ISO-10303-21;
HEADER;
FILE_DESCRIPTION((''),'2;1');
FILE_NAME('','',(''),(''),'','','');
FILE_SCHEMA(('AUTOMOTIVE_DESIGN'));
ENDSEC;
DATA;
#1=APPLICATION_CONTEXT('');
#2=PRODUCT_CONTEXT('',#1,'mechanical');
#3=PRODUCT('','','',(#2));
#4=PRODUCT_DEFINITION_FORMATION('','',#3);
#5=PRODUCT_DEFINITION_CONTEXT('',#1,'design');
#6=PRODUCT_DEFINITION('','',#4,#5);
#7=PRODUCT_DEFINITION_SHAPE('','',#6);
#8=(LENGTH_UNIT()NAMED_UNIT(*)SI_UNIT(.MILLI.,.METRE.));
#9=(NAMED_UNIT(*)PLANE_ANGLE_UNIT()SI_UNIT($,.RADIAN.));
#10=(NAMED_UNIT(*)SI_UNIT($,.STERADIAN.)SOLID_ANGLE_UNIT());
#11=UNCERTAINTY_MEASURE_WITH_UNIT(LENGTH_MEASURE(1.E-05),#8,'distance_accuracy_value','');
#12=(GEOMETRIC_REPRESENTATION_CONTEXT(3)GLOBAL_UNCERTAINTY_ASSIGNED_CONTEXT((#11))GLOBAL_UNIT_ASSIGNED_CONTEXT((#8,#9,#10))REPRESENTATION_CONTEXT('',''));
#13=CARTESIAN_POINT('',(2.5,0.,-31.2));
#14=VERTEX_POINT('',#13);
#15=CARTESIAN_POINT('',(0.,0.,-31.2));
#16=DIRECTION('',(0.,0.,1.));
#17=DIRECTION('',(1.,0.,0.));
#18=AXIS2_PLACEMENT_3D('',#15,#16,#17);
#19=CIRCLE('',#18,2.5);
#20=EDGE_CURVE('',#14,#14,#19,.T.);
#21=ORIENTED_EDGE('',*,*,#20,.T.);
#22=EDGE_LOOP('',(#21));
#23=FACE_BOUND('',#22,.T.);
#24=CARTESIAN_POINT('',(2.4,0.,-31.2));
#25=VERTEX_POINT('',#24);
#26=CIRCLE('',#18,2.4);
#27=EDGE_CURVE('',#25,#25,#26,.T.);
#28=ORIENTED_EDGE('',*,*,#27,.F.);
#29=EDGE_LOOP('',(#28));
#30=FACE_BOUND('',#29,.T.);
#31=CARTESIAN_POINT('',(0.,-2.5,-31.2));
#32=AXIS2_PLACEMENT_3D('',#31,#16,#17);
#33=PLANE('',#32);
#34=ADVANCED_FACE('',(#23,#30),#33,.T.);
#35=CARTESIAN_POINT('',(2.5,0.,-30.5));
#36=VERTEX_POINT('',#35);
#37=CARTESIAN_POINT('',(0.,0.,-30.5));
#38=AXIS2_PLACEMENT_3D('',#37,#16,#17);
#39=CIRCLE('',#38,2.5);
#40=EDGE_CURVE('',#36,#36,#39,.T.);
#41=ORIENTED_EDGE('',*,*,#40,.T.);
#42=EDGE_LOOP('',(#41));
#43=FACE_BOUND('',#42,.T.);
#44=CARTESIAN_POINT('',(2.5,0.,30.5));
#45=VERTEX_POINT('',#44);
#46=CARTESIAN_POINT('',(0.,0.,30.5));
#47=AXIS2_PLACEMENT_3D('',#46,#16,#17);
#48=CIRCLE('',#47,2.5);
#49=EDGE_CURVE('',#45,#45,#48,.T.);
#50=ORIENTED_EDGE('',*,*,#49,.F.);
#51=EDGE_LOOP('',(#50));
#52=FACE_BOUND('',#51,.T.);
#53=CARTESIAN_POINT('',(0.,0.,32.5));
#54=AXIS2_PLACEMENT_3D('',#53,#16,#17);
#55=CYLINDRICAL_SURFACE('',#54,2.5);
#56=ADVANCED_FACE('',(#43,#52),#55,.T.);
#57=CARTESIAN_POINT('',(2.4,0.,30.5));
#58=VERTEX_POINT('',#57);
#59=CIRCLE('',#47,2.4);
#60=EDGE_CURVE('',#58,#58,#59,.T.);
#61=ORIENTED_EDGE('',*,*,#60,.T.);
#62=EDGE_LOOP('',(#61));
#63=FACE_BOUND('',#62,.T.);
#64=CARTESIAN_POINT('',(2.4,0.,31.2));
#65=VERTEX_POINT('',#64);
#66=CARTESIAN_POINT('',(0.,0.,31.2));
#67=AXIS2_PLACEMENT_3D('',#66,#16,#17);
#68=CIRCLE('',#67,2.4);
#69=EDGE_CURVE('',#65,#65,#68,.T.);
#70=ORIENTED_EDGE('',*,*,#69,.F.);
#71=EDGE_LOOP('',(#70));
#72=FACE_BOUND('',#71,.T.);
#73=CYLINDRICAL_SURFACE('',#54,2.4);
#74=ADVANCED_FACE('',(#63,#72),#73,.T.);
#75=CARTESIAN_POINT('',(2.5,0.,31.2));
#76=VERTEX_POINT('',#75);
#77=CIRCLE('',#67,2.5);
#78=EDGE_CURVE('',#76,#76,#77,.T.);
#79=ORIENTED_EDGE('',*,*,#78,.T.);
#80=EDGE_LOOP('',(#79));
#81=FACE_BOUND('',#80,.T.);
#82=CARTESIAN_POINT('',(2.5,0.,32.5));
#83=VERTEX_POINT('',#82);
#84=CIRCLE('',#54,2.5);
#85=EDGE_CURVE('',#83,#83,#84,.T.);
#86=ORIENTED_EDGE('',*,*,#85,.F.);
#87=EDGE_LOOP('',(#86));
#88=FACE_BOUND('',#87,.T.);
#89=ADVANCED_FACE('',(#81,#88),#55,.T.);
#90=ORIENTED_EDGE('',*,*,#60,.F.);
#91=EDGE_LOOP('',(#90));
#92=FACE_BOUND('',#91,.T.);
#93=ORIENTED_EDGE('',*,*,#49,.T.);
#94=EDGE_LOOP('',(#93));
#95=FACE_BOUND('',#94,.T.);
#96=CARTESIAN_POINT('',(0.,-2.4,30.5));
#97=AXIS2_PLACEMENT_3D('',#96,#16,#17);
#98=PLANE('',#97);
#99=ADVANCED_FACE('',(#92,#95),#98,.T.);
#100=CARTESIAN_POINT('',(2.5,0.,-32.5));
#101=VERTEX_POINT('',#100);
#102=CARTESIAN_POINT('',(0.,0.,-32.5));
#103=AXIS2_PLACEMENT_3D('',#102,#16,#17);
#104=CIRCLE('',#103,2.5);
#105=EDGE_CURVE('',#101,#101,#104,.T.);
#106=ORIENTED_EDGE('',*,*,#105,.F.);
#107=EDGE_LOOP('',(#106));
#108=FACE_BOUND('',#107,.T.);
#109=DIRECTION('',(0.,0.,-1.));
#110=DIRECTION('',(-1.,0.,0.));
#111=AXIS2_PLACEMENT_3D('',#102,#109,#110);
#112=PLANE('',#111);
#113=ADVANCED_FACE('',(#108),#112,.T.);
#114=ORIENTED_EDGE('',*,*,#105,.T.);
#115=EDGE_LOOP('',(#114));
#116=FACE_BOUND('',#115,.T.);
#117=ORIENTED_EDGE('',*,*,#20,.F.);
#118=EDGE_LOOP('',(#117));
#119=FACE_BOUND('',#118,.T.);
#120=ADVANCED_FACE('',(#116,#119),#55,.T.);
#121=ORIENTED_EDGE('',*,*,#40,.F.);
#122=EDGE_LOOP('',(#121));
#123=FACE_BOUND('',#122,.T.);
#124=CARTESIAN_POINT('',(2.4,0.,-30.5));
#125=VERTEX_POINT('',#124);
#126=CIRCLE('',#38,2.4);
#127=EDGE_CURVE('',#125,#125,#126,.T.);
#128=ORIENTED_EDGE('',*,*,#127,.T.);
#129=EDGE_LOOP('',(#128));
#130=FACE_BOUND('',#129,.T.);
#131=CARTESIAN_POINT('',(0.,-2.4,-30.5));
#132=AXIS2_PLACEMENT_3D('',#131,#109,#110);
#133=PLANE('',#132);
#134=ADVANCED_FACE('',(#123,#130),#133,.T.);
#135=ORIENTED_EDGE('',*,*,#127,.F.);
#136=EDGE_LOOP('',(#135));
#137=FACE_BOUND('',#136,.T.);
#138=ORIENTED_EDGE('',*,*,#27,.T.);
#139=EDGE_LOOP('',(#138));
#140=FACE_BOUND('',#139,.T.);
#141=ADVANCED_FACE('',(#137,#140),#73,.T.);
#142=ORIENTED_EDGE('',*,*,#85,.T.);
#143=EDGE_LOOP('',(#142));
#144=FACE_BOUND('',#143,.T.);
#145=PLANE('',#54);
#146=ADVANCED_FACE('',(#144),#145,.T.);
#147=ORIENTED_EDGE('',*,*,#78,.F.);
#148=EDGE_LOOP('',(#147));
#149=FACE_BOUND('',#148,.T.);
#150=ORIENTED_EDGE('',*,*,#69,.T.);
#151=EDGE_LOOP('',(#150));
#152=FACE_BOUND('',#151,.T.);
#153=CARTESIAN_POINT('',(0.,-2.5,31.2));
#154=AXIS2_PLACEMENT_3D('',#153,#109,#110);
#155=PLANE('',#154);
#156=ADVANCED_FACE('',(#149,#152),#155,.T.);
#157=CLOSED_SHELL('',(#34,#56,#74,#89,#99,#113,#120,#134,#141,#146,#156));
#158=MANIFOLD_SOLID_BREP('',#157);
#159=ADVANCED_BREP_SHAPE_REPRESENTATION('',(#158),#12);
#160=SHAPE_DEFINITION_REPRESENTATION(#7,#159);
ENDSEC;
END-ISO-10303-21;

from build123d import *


with BuildPart() as part:
    # Szkic1 → Obrót1 (revolve)
    with BuildSketch(Plane(origin=(0, 0, 0), x_dir=(0, 0, -1), z_dir=(1, 0, 0)), mode=Mode.PRIVATE) as obr_t1_sk:
        Polygon((-31.2, -2.5), (-31.2, -2.4), (-30.5, -2.4), (-30.5, -2.5), (30.5, -2.5), (30.5, -2.4), (31.2, -2.4), (31.2, -2.5), (32.5, -2.5), (32.5, 0), (-32.5, 0), (-32.5, -2.5), align=None)
    revolve(obr_t1_sk.sketch.rotate(Axis((0, 0, 32.5), (0, 0, -1)), 270), axis=Axis((0, 0, 32.5), (0, 0, -1)))


solid = part.part
